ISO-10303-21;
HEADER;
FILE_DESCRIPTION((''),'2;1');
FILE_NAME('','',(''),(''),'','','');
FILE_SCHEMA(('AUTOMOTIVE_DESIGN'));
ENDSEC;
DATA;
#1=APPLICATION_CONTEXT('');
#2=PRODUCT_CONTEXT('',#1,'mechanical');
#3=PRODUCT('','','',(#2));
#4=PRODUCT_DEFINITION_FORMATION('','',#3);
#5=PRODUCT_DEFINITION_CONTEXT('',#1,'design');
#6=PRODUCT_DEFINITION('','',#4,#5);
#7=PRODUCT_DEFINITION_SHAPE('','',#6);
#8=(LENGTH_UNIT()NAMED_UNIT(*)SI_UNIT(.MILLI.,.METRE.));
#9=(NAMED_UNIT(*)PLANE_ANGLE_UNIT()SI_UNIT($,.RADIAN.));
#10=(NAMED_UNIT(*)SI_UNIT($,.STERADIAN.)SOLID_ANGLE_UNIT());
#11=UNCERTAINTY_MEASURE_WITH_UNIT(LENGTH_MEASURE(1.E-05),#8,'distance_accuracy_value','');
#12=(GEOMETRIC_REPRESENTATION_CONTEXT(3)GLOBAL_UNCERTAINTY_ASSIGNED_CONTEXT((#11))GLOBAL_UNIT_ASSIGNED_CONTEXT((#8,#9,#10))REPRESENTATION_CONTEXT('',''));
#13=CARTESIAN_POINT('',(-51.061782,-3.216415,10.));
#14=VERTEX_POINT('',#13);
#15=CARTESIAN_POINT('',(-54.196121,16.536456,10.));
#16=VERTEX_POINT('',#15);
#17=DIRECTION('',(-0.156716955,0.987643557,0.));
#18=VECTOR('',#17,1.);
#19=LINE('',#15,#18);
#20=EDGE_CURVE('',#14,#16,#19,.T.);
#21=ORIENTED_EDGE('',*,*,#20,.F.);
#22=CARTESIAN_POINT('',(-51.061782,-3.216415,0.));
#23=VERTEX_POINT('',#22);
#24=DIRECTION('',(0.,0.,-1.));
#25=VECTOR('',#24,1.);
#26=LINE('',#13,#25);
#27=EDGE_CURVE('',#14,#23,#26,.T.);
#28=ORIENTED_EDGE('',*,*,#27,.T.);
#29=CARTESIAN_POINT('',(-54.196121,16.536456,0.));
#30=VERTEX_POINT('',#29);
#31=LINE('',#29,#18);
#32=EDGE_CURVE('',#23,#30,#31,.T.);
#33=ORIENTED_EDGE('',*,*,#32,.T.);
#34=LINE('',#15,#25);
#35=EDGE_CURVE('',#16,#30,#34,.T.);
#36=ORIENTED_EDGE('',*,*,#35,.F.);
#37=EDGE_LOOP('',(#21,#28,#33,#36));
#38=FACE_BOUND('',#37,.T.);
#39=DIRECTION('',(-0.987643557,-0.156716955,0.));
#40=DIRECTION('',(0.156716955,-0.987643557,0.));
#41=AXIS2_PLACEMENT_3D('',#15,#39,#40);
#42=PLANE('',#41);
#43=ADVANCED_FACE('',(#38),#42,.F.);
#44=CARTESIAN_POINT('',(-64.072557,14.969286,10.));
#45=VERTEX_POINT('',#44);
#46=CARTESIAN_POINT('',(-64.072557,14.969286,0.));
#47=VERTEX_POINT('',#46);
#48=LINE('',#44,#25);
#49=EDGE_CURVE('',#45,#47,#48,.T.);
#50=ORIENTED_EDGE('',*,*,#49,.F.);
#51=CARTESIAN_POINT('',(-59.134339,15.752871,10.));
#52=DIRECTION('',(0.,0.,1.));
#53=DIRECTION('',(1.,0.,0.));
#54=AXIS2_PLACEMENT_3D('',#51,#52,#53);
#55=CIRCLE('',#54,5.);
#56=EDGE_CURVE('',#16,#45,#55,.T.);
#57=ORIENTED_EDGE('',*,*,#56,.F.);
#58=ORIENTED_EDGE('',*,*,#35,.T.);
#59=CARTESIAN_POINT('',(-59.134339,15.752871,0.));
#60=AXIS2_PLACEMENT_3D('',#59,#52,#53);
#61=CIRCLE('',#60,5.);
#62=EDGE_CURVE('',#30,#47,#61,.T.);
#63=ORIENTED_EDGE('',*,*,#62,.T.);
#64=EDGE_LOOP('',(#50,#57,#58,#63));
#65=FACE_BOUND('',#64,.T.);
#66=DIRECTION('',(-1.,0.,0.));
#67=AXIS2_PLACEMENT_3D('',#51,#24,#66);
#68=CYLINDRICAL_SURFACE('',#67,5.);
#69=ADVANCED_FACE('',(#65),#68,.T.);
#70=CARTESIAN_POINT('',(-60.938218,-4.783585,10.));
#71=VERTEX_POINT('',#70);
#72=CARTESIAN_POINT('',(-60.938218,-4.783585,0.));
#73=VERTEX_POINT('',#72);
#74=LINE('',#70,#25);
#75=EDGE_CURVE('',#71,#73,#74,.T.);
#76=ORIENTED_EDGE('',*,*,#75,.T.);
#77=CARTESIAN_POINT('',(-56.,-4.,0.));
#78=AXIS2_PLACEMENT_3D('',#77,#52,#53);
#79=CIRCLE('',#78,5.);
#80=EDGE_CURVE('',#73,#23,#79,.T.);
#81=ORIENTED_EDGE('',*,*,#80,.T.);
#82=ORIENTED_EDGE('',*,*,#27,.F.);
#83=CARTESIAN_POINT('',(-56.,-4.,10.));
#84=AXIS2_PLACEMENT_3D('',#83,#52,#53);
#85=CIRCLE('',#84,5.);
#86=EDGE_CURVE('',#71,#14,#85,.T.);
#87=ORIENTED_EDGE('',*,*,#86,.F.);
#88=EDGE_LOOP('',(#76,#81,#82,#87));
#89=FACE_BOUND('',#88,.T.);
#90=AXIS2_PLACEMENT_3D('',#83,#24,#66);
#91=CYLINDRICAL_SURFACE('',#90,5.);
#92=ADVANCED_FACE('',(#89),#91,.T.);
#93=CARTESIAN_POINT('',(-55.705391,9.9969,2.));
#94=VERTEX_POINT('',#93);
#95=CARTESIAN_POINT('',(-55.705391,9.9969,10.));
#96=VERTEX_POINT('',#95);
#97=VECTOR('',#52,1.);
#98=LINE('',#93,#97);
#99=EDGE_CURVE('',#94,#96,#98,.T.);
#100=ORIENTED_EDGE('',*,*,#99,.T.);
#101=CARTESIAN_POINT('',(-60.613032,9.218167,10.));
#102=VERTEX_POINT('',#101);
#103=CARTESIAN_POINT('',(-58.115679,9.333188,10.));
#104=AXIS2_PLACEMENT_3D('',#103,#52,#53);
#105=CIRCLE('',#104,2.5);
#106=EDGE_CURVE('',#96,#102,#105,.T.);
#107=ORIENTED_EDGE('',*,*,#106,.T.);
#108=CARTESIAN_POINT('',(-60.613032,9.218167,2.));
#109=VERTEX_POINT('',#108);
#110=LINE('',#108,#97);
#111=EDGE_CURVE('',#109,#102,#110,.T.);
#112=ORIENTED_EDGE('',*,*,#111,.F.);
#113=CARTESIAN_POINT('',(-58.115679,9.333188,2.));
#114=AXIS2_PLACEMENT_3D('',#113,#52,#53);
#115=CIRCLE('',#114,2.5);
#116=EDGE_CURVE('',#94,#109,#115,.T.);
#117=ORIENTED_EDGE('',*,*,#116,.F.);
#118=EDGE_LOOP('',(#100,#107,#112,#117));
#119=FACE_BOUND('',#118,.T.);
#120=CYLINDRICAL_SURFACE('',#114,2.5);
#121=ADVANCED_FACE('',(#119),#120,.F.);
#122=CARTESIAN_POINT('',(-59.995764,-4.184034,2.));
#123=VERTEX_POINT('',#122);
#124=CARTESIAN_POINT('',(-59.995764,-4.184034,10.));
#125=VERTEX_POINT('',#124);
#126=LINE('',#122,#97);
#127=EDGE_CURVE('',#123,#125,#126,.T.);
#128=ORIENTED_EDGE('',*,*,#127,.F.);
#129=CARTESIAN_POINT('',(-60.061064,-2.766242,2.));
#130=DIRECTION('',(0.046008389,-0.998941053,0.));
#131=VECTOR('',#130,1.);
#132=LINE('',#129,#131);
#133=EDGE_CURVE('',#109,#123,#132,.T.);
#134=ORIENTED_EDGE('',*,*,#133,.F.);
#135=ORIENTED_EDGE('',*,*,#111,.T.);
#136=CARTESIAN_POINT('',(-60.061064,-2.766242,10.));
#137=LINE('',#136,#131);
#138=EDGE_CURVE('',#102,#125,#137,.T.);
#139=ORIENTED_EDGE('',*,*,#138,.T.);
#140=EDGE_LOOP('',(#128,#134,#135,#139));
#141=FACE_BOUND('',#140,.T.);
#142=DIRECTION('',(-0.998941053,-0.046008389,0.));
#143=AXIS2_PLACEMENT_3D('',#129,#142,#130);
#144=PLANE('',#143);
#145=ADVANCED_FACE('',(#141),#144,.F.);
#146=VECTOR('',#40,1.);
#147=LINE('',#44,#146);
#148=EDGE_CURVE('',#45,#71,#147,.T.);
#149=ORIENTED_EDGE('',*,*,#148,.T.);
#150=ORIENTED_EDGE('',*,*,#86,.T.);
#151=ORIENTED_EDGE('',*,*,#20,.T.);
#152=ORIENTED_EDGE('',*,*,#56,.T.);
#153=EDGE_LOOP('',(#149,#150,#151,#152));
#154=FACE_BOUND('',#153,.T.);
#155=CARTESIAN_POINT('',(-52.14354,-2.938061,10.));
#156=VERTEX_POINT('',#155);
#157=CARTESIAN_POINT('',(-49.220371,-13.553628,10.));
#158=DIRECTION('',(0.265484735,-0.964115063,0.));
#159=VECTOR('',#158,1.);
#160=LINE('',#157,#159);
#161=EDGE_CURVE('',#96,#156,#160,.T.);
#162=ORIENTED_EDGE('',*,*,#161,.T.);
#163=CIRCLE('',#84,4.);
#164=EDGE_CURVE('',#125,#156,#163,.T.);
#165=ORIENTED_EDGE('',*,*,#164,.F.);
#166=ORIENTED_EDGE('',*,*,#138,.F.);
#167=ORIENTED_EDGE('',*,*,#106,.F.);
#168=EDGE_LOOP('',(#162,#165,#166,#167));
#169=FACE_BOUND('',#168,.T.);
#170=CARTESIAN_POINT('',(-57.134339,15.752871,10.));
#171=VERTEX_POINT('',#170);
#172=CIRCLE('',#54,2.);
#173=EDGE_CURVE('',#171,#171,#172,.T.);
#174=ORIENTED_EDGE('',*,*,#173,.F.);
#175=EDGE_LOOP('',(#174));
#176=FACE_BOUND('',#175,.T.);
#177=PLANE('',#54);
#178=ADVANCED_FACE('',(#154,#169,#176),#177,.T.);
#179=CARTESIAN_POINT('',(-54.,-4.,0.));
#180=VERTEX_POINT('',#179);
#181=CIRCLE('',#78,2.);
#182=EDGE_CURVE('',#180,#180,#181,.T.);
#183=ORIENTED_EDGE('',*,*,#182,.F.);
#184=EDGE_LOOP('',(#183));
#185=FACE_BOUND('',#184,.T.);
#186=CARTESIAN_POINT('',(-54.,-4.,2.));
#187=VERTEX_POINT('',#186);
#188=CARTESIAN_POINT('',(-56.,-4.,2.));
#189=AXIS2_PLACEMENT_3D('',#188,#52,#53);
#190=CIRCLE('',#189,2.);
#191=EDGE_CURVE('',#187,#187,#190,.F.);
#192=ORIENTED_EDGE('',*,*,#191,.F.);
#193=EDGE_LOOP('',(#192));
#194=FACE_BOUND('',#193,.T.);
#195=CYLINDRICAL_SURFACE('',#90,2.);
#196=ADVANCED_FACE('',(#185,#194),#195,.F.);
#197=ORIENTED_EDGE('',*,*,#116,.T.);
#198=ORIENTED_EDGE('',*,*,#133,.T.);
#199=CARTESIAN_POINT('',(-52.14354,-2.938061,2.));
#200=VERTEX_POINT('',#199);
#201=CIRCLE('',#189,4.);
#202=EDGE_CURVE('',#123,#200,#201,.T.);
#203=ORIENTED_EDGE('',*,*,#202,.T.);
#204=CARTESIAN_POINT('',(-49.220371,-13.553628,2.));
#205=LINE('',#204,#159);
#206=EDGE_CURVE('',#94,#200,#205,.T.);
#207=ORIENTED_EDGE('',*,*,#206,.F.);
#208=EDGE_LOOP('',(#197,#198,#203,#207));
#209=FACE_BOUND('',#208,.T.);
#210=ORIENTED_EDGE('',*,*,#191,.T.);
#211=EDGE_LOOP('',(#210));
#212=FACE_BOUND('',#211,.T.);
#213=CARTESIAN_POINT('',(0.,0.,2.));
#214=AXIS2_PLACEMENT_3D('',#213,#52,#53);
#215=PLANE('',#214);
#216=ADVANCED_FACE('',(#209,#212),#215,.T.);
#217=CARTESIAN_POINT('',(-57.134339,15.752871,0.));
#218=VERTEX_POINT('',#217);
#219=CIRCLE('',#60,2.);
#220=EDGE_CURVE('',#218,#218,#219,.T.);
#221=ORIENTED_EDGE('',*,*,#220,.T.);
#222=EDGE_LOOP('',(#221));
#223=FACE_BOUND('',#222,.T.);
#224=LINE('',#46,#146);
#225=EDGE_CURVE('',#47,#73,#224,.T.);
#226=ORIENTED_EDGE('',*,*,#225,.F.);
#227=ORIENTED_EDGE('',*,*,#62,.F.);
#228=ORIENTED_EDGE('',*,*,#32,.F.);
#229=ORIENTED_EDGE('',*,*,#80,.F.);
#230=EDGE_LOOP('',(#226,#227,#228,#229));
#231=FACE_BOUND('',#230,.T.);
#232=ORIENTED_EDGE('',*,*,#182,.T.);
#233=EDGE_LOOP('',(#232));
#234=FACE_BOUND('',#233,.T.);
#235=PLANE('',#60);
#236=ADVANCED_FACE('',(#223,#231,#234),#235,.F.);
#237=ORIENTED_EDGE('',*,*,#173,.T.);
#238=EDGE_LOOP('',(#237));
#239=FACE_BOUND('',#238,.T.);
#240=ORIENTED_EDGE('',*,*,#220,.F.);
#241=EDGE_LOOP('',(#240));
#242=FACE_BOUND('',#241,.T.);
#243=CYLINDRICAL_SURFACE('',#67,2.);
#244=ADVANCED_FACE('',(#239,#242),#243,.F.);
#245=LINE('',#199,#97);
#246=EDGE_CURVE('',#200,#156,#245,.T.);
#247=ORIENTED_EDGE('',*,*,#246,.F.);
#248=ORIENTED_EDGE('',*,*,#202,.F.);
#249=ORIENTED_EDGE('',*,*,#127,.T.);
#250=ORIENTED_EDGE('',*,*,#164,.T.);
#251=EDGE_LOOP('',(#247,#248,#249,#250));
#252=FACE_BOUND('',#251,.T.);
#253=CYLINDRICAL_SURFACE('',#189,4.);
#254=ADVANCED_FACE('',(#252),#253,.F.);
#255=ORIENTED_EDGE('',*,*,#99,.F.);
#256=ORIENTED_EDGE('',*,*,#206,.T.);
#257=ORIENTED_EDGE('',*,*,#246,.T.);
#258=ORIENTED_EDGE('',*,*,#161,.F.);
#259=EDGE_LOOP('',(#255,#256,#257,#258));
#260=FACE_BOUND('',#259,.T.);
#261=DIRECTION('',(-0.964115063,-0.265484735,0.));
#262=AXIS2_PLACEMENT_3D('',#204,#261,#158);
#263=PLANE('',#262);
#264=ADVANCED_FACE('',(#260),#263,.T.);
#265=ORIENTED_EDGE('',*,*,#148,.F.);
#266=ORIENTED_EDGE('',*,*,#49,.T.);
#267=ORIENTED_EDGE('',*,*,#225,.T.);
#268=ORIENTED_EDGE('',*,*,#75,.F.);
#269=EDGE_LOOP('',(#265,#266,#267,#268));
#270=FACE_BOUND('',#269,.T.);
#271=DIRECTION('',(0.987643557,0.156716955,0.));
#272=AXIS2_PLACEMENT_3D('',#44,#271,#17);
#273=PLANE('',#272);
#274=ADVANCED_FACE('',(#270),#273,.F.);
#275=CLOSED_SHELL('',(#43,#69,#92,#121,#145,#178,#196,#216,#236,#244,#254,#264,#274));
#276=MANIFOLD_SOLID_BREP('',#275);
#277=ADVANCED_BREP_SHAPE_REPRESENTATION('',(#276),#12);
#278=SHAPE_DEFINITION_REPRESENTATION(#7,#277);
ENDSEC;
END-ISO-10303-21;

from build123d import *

# Parameters (mm, degrees)
SKETCH1_R           = 2
BOSS_EXTRUDE1_DEPTH = 10
CUT_EXTRUDE1_START  = -8
CUT_EXTRUDE1_DEPTH  = 8


with BuildPart() as part:
    # Sketch1 → Boss-Extrude1 (new body)
    with BuildSketch(Plane.XY):
        with BuildLine():
            Line((-64.072556879, 14.969286371), (-60.938217786, -4.783584773))
            ThreePointArc((-60.938217786, -4.783584773), (-55.216415227, -8.938217786), (-51.061782214, -3.216415227))
            Line((-51.061782214, -3.216415227), (-54.196121307, 16.536455918))
            ThreePointArc((-54.196121307, 16.536455918), (-59.917923866, 20.691088931), (-64.072556879, 14.969286371))
        make_face()
        with Locations((-59.134339093, 15.752871145)):
            Circle(SKETCH1_R, mode=Mode.SUBTRACT)
        with Locations((-56, -4)):
            Circle(SKETCH1_R, mode=Mode.SUBTRACT)
    extrude(amount=BOSS_EXTRUDE1_DEPTH)

    # Sketch2 → Cut-Extrude1 (cut)
    with BuildSketch(Plane.XY.offset(10).offset(CUT_EXTRUDE1_START)):
        with BuildLine():
            ThreePointArc((-55.686566091, -5.975287114), (-57.975287114, -4.313433909), (-56.313433909, -2.024712886))
            Line((-56.313433909, -2.024712886), (-57.567169546, 5.876435572))
            Line((-57.567169546, 5.876435572), (-58.507471274, 11.802296916))
            ThreePointArc((-58.507471274, 11.802296916), (-60.053776286, 10.912358208), (-60.613031521, 9.218167051))
            Line((-60.613031521, 9.218167051), (-59.995764214, -4.184033555))
            ThreePointArc((-59.995764214, -4.184033555), (-58.526672296, -7.100955838), (-55.373132181, -7.950574229))
            Line((-55.373132181, -7.950574229), (-55.686566091, -5.975287114))
        make_face()
        with BuildLine():
            Line((-57.567169546, 5.876435572), (-56.313433909, -2.024712886))
            ThreePointArc((-56.313433909, -2.024712886), (-54.701321406, -2.479002331), (-54, -4))
            ThreePointArc((-54, -4), (-54.479002331, -5.298678594), (-55.686566091, -5.975287114))
            Line((-55.686566091, -5.975287114), (-55.373132181, -7.950574229))
            ThreePointArc((-55.373132181, -7.950574229), (-52.637503946, -6.166476468), (-52.143539746, -2.938061061))
            Line((-52.143539746, -2.938061061), (-55.705391229, 9.996899859))
            ThreePointArc((-55.705391229, 9.996899859), (-56.761631095, 11.434748057), (-58.507471274, 11.802296916))
            Line((-58.507471274, 11.802296916), (-57.567169546, 5.876435572))
        make_face()
    extrude(amount=CUT_EXTRUDE1_DEPTH, mode=Mode.SUBTRACT)


solid = part.part
